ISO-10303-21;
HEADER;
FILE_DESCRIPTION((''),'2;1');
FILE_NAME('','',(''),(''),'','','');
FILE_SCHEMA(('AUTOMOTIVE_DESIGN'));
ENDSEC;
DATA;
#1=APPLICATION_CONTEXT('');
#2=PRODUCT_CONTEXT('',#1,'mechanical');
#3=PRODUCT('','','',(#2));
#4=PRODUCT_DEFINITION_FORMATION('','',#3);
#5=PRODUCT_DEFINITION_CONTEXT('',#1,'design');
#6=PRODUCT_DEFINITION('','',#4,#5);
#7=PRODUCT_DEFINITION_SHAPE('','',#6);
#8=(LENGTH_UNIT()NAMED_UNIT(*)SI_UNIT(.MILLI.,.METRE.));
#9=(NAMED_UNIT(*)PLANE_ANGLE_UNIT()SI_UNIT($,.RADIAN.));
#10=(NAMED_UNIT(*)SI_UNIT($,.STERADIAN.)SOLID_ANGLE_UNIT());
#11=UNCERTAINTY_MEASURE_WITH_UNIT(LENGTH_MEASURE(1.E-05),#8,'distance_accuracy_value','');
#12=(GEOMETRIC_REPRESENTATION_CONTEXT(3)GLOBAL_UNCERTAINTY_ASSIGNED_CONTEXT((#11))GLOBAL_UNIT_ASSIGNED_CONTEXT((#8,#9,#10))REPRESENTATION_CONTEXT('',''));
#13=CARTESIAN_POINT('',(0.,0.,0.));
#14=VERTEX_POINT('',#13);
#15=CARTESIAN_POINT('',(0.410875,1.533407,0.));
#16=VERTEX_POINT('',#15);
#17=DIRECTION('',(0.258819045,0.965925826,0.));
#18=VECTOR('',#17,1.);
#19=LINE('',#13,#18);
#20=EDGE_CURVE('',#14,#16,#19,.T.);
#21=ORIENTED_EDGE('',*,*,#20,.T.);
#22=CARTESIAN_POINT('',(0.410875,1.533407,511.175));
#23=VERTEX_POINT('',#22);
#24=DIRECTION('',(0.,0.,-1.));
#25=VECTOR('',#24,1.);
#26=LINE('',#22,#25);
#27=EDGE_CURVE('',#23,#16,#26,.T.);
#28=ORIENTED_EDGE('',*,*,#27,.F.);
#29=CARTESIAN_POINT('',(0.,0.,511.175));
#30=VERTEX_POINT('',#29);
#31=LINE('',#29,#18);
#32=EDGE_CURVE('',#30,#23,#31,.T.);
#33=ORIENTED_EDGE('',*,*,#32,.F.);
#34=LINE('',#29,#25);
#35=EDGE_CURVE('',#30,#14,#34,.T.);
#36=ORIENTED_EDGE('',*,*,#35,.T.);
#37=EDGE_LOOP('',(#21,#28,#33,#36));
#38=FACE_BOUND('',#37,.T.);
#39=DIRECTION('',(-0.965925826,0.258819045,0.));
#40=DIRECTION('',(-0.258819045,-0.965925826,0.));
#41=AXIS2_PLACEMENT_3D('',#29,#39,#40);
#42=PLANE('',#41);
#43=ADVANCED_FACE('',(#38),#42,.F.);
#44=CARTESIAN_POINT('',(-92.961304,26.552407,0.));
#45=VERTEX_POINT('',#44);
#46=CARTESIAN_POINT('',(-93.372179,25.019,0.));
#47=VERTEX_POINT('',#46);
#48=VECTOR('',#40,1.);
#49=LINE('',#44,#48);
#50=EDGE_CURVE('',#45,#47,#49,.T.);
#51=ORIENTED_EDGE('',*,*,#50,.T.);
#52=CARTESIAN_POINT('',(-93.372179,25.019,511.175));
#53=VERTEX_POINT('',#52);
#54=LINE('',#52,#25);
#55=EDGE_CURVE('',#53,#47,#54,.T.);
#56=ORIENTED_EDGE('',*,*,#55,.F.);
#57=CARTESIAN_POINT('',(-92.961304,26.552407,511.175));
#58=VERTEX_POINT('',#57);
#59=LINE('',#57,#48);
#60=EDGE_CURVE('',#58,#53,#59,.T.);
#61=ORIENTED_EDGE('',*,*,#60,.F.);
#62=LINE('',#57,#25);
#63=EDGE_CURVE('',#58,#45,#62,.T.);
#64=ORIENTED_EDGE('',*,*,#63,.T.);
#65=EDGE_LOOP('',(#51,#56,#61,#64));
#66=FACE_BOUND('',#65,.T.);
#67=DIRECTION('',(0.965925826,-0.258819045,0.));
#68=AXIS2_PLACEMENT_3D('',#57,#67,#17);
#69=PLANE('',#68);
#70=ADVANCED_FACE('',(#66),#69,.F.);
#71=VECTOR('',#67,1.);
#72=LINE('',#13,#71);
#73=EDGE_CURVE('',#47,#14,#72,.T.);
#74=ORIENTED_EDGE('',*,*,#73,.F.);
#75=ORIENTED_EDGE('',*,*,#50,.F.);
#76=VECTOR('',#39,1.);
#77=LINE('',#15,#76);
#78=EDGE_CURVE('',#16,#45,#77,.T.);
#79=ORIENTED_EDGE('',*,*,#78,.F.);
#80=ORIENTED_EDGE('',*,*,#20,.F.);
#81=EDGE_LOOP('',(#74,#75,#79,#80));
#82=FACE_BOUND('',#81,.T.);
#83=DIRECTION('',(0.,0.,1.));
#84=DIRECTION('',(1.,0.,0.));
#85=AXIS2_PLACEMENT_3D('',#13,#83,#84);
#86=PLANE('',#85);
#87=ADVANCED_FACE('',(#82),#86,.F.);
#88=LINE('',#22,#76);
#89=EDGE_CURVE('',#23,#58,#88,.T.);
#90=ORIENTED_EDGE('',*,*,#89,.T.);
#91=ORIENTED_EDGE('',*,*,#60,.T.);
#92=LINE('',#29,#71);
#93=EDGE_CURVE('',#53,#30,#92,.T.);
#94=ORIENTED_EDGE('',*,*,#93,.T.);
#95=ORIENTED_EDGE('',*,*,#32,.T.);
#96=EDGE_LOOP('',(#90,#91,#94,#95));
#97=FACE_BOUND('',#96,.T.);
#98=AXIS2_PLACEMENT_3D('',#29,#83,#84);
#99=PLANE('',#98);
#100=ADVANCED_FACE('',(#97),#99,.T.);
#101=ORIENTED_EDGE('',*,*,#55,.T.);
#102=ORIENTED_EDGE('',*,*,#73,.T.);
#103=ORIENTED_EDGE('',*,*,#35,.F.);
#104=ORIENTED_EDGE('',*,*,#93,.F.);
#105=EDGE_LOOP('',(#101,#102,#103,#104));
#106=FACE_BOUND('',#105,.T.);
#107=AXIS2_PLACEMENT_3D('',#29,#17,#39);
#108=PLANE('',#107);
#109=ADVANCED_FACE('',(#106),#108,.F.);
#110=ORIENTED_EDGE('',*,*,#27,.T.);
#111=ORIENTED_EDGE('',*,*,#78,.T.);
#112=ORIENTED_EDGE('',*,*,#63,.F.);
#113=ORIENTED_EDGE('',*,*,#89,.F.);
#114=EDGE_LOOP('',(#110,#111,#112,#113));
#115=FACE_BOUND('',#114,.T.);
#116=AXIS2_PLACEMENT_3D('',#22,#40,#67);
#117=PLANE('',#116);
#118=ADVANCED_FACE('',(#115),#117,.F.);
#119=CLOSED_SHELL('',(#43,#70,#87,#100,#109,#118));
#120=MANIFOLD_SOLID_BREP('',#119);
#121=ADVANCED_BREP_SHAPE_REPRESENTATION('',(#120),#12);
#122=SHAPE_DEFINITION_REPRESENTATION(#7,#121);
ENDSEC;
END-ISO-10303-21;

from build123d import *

# Parameters (mm, degrees)
BOSS_EXTRUDE1_DEPTH = 511.175


with BuildPart() as part:
    # Sketch1 → Boss-Extrude1 (new body)
    with BuildSketch(Plane.XY):
        Polygon((0, 0), (-93.372179155, 25.019), (-92.96130392, 26.552407249), (0.410875234, 1.533407249), align=None)
    extrude(amount=BOSS_EXTRUDE1_DEPTH)


solid = part.part
